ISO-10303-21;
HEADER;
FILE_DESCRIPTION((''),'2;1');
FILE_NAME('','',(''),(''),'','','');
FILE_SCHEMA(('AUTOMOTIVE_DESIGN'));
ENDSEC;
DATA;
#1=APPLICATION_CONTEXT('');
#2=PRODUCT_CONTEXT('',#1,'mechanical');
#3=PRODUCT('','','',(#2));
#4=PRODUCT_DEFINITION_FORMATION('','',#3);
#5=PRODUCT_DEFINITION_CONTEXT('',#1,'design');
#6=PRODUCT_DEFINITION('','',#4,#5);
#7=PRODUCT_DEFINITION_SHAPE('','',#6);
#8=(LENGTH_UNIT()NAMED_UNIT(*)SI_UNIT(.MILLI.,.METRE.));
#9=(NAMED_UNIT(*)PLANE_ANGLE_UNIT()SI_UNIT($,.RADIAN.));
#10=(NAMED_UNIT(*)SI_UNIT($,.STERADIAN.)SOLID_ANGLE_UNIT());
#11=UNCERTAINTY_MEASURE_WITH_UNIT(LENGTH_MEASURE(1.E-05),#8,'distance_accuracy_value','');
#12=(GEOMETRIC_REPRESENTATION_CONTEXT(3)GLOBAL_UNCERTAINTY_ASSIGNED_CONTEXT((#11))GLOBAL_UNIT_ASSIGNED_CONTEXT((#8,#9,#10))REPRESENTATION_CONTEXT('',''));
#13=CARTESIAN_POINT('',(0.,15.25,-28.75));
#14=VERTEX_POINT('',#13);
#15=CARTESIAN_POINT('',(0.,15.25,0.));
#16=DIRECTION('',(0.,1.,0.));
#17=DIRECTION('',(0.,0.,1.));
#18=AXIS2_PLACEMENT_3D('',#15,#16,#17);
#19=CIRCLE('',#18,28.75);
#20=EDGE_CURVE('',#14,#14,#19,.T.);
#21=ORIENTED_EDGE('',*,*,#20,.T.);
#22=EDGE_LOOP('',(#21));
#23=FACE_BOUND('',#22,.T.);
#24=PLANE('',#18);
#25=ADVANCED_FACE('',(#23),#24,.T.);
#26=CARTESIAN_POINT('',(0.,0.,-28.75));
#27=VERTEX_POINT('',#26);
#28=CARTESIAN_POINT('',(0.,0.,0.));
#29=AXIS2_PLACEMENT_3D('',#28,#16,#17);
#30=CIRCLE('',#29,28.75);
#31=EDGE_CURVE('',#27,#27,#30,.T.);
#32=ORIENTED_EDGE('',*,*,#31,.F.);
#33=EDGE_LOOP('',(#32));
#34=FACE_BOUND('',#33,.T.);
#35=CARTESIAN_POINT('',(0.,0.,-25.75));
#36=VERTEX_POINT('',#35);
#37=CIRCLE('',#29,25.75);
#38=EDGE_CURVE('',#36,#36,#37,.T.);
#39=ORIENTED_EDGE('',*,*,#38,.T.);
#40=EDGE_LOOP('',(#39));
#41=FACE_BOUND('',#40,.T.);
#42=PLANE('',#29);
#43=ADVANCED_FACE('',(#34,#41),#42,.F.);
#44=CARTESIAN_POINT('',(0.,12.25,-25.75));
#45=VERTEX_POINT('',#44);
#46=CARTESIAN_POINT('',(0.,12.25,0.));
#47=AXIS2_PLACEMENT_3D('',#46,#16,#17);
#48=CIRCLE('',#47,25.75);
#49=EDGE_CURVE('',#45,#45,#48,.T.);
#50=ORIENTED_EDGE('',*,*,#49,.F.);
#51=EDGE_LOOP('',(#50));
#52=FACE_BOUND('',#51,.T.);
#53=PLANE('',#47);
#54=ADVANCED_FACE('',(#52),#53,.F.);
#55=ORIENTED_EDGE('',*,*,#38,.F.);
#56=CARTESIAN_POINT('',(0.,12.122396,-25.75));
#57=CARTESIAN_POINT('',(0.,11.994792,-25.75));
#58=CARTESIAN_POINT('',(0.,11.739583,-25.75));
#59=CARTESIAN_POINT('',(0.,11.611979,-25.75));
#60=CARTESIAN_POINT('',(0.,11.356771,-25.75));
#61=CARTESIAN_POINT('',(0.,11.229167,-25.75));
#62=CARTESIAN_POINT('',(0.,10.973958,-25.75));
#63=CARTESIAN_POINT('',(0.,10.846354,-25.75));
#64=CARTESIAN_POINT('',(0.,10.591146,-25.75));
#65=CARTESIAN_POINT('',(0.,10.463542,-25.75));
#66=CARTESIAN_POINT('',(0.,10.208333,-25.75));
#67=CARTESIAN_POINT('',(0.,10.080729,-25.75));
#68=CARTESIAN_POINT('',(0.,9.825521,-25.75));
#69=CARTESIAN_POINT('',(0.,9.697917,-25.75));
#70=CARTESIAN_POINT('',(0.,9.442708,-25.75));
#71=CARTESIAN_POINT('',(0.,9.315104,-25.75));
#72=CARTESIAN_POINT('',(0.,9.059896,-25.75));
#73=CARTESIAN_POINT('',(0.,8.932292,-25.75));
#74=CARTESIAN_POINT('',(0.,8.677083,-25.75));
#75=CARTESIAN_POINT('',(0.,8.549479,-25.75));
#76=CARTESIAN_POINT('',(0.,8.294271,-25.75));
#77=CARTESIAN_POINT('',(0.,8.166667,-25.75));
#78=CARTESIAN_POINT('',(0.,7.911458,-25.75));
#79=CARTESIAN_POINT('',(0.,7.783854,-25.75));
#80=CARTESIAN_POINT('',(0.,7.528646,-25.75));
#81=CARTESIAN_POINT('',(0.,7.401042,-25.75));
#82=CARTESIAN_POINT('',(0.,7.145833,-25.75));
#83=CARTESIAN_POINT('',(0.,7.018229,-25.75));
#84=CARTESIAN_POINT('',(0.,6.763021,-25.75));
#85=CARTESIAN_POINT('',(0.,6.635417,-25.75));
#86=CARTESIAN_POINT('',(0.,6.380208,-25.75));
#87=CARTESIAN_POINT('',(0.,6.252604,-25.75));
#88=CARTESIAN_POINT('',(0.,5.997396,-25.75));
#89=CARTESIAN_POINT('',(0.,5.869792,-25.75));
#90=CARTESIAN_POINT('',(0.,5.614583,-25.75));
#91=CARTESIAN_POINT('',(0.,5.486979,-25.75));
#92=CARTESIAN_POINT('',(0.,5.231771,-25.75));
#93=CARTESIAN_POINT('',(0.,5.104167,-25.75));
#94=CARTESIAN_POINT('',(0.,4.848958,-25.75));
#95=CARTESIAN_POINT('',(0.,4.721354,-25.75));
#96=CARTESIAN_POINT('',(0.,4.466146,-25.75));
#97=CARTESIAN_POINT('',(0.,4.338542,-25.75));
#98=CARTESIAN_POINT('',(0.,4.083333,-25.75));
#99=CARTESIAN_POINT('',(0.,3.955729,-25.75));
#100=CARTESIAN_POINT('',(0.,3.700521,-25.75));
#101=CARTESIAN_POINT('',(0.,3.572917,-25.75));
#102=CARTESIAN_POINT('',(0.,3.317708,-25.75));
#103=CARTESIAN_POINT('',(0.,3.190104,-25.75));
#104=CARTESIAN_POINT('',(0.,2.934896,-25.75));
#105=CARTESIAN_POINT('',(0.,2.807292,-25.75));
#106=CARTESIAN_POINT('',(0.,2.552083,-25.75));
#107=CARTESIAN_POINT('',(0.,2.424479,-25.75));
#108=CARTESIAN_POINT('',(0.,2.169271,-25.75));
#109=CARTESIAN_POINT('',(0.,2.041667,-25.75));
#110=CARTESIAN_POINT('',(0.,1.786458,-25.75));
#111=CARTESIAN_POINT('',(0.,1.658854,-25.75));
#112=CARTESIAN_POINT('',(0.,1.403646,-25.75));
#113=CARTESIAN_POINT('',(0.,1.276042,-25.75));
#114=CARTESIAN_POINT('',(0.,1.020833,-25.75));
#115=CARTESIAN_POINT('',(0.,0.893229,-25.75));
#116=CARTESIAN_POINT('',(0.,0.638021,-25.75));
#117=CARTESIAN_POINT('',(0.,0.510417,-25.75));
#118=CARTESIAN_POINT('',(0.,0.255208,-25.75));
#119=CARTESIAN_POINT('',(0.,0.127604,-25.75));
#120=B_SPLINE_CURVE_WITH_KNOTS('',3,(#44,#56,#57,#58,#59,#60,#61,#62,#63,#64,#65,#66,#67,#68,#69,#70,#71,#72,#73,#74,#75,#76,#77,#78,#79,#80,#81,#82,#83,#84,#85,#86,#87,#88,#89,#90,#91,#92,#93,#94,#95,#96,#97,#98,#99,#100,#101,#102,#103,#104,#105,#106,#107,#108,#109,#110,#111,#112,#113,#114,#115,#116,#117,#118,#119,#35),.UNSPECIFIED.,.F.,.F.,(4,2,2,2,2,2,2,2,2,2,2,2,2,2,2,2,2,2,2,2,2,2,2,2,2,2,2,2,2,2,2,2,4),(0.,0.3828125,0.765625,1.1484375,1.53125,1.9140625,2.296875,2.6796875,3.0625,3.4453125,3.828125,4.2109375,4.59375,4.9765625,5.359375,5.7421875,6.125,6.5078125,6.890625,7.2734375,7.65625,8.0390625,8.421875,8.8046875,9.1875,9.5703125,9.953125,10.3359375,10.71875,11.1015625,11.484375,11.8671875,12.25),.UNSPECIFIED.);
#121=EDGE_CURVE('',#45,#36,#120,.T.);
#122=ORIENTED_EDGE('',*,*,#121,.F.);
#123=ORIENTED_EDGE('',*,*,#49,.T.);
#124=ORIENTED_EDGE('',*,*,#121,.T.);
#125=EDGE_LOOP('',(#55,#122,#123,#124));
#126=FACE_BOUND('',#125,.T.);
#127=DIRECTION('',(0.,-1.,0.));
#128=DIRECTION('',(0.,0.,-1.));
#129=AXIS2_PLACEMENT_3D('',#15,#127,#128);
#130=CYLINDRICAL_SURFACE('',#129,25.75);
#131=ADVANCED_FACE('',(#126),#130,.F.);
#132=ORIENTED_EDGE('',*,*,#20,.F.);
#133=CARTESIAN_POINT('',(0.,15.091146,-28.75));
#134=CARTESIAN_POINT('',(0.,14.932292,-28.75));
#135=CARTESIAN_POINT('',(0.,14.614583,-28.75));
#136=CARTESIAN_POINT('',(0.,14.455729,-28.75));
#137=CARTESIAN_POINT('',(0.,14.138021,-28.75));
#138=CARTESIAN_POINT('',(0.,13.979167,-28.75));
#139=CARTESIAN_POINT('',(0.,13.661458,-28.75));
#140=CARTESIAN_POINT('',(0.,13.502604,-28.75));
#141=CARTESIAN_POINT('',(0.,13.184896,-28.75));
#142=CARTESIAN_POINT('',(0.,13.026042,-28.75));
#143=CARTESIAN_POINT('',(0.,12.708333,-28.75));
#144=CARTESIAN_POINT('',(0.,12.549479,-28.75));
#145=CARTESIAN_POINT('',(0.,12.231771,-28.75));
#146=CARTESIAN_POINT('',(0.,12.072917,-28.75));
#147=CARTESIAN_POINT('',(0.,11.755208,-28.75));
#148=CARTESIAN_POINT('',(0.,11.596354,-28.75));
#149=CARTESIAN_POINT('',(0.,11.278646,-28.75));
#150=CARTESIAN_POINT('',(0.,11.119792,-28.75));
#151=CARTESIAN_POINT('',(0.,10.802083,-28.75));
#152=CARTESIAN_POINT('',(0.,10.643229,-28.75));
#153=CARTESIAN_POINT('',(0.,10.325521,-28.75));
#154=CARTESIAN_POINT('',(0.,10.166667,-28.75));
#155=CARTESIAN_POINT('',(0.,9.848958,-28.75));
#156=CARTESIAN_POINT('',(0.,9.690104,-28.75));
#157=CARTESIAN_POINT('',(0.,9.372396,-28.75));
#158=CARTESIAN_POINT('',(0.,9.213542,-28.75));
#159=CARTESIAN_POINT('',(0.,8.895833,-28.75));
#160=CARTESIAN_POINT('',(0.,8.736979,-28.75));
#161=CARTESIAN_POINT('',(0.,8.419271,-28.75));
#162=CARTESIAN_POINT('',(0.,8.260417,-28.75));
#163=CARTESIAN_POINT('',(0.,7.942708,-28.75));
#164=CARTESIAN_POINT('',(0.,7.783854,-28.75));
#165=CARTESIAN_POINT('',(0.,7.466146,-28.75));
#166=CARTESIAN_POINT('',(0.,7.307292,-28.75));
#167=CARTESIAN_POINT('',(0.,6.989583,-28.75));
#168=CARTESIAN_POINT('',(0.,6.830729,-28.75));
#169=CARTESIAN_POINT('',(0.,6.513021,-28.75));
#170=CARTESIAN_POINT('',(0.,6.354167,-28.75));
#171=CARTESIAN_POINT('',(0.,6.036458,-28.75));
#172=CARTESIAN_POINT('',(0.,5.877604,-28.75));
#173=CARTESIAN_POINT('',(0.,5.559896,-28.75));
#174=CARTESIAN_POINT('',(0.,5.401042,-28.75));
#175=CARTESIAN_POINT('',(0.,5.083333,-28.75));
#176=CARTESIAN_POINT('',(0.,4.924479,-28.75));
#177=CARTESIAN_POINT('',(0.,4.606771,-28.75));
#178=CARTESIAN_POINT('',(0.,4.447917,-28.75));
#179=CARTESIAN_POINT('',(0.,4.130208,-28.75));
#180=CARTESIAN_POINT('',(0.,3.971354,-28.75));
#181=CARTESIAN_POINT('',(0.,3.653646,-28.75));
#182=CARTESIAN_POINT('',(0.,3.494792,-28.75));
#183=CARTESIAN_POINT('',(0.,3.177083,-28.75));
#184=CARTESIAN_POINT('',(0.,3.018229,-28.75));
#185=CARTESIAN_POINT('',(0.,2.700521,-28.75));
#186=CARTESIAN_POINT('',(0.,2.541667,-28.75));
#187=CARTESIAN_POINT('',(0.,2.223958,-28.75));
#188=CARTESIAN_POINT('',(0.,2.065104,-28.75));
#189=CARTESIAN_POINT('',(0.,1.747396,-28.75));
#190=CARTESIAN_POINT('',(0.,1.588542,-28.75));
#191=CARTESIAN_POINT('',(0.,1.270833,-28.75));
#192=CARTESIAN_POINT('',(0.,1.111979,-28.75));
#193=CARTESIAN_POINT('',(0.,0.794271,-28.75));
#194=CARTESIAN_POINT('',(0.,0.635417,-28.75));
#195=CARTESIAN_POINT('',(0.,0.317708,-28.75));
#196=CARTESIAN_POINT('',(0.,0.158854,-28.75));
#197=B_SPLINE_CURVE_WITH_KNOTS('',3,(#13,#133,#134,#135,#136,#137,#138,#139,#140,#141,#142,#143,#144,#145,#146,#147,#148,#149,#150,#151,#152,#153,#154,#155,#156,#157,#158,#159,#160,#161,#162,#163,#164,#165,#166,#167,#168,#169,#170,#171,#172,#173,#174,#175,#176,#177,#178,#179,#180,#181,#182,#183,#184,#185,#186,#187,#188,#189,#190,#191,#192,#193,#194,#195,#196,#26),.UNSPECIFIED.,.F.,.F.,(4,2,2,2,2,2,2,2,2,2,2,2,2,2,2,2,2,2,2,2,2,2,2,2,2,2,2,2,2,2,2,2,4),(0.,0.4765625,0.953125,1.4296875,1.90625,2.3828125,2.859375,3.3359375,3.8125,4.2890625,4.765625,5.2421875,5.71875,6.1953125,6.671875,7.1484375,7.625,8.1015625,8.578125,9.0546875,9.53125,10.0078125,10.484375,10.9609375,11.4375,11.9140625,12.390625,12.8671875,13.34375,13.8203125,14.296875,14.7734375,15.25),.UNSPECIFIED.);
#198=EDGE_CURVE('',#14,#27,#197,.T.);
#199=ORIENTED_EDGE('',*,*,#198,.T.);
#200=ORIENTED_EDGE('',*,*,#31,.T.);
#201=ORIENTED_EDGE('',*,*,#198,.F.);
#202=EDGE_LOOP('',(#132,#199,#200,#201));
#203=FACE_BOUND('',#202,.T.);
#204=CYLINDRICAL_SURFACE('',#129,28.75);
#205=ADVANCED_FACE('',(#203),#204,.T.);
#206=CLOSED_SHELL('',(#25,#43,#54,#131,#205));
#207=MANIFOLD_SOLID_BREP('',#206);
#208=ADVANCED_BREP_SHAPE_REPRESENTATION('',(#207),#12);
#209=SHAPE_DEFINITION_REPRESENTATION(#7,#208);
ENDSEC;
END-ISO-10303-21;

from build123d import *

# Parameters (mm, degrees)
ESBO_O1_R                = 28.75
RESSALTO_EXTRUS_O1_DEPTH = 15.25
CASCA1_T                 = -3


with BuildPart() as part:
    # Esboço1 → Ressalto-extrusão1 (new body)
    with BuildSketch(Plane(origin=(0, 0, 0), x_dir=(1, 0, 0), z_dir=(0, 1, 0))):
        with Locations(Location((0, 0, 0), (0, 0, 90))):
            Circle(ESBO_O1_R)
    extrude(amount=RESSALTO_EXTRUS_O1_DEPTH)

    # Casca1
    casca1_openings = [part.faces().sort_by_distance(p)[0] for p in [
        (0, 0, 0),
    ]]
    offset(amount=CASCA1_T, openings=casca1_openings, kind=Kind.INTERSECTION)


solid = part.part
